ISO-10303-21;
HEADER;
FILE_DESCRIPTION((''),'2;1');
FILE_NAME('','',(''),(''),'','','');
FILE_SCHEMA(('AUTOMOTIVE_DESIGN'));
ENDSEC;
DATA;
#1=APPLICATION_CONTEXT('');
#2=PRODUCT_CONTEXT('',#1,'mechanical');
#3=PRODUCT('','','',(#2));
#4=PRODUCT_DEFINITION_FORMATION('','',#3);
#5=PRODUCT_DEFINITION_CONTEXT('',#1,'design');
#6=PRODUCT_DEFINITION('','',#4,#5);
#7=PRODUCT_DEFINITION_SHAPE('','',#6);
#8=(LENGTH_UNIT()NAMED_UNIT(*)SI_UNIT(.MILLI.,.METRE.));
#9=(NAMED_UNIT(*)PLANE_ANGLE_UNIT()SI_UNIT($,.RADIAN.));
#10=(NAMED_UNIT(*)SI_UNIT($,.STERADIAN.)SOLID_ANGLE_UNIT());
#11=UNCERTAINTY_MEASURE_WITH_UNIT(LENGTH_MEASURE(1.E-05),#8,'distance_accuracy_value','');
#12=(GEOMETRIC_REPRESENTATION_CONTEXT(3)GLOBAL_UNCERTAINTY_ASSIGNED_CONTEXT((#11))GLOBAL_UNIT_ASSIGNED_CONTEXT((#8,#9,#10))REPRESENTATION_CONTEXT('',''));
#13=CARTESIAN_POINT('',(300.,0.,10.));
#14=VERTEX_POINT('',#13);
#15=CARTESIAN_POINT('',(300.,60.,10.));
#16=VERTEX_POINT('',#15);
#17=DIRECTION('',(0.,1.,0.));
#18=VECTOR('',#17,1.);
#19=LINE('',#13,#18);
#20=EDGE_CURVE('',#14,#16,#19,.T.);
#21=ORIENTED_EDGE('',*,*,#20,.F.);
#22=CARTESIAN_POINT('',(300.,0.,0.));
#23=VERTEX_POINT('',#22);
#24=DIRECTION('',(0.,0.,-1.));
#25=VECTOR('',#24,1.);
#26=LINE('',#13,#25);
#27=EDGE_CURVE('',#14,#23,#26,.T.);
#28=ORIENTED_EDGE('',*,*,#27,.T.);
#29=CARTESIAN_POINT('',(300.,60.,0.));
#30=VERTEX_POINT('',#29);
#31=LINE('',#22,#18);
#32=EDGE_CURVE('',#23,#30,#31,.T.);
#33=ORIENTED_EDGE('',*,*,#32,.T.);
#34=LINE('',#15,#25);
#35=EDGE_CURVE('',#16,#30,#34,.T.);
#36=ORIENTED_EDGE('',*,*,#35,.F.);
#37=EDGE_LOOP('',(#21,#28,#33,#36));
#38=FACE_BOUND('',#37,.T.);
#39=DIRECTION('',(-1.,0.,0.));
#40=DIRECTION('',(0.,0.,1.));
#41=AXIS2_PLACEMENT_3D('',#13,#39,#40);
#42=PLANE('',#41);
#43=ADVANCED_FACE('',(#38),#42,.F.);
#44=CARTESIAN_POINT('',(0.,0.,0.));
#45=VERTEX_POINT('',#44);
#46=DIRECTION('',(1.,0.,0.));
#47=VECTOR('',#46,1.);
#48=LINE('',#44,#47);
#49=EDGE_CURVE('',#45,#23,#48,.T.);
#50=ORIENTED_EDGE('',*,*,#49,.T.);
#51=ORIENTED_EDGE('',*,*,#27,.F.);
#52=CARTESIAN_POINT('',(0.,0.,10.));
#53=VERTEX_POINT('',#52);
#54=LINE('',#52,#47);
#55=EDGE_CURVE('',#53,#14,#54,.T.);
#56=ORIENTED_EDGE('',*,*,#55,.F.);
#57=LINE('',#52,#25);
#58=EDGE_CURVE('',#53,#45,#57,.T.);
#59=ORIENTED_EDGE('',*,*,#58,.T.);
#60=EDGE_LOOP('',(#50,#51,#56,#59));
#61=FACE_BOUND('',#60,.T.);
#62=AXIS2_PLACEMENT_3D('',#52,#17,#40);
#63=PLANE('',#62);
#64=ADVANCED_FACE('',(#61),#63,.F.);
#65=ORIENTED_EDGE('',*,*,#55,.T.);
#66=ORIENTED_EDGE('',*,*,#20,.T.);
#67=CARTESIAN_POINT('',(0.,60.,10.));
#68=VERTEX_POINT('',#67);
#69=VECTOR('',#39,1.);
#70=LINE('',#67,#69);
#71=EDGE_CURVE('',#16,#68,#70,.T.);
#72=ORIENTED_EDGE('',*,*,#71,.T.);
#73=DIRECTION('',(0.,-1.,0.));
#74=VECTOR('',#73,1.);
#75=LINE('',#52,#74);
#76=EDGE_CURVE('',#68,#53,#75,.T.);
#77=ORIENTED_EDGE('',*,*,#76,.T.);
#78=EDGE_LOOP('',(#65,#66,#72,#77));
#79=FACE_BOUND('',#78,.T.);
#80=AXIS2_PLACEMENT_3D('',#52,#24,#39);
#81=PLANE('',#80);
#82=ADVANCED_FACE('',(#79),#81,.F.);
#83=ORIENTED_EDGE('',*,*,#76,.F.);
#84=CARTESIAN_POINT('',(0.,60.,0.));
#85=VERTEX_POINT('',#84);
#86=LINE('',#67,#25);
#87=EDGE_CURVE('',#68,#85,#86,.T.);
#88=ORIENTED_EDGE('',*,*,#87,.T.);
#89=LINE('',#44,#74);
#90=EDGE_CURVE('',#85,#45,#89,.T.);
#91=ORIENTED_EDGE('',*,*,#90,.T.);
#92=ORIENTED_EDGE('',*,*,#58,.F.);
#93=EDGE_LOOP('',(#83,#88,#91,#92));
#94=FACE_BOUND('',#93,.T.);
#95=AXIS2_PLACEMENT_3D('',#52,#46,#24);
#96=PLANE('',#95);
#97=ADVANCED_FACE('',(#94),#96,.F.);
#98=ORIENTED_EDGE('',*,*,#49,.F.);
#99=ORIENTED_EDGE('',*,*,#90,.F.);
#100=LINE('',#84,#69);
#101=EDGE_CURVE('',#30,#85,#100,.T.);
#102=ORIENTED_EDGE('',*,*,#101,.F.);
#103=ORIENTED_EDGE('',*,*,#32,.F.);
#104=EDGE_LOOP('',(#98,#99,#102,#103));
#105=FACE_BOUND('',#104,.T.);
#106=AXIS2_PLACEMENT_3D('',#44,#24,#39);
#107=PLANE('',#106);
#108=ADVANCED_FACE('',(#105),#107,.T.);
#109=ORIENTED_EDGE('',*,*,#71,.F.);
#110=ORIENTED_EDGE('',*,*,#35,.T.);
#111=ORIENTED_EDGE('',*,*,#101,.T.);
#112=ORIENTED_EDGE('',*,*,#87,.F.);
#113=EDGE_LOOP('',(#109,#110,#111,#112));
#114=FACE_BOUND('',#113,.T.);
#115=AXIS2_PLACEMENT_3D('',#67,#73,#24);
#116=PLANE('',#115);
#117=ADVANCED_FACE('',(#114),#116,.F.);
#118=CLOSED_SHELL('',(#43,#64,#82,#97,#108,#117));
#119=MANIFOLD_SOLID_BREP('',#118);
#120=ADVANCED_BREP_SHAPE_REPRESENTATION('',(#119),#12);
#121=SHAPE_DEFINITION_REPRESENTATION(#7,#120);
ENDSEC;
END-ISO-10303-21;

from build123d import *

# Parameters (mm, degrees)
SKETCH_1_W        = 300
SKETCH_1_H        = 60
EXTRUDE_335_DEPTH = 10


with BuildPart() as part:
    # Эскиз1 → Extrude 335 (new body)
    with BuildSketch(Plane.XY):
        with Locations((150, 30)):
            Rectangle(SKETCH_1_W, SKETCH_1_H)
    extrude(amount=EXTRUDE_335_DEPTH)


solid = part.part
